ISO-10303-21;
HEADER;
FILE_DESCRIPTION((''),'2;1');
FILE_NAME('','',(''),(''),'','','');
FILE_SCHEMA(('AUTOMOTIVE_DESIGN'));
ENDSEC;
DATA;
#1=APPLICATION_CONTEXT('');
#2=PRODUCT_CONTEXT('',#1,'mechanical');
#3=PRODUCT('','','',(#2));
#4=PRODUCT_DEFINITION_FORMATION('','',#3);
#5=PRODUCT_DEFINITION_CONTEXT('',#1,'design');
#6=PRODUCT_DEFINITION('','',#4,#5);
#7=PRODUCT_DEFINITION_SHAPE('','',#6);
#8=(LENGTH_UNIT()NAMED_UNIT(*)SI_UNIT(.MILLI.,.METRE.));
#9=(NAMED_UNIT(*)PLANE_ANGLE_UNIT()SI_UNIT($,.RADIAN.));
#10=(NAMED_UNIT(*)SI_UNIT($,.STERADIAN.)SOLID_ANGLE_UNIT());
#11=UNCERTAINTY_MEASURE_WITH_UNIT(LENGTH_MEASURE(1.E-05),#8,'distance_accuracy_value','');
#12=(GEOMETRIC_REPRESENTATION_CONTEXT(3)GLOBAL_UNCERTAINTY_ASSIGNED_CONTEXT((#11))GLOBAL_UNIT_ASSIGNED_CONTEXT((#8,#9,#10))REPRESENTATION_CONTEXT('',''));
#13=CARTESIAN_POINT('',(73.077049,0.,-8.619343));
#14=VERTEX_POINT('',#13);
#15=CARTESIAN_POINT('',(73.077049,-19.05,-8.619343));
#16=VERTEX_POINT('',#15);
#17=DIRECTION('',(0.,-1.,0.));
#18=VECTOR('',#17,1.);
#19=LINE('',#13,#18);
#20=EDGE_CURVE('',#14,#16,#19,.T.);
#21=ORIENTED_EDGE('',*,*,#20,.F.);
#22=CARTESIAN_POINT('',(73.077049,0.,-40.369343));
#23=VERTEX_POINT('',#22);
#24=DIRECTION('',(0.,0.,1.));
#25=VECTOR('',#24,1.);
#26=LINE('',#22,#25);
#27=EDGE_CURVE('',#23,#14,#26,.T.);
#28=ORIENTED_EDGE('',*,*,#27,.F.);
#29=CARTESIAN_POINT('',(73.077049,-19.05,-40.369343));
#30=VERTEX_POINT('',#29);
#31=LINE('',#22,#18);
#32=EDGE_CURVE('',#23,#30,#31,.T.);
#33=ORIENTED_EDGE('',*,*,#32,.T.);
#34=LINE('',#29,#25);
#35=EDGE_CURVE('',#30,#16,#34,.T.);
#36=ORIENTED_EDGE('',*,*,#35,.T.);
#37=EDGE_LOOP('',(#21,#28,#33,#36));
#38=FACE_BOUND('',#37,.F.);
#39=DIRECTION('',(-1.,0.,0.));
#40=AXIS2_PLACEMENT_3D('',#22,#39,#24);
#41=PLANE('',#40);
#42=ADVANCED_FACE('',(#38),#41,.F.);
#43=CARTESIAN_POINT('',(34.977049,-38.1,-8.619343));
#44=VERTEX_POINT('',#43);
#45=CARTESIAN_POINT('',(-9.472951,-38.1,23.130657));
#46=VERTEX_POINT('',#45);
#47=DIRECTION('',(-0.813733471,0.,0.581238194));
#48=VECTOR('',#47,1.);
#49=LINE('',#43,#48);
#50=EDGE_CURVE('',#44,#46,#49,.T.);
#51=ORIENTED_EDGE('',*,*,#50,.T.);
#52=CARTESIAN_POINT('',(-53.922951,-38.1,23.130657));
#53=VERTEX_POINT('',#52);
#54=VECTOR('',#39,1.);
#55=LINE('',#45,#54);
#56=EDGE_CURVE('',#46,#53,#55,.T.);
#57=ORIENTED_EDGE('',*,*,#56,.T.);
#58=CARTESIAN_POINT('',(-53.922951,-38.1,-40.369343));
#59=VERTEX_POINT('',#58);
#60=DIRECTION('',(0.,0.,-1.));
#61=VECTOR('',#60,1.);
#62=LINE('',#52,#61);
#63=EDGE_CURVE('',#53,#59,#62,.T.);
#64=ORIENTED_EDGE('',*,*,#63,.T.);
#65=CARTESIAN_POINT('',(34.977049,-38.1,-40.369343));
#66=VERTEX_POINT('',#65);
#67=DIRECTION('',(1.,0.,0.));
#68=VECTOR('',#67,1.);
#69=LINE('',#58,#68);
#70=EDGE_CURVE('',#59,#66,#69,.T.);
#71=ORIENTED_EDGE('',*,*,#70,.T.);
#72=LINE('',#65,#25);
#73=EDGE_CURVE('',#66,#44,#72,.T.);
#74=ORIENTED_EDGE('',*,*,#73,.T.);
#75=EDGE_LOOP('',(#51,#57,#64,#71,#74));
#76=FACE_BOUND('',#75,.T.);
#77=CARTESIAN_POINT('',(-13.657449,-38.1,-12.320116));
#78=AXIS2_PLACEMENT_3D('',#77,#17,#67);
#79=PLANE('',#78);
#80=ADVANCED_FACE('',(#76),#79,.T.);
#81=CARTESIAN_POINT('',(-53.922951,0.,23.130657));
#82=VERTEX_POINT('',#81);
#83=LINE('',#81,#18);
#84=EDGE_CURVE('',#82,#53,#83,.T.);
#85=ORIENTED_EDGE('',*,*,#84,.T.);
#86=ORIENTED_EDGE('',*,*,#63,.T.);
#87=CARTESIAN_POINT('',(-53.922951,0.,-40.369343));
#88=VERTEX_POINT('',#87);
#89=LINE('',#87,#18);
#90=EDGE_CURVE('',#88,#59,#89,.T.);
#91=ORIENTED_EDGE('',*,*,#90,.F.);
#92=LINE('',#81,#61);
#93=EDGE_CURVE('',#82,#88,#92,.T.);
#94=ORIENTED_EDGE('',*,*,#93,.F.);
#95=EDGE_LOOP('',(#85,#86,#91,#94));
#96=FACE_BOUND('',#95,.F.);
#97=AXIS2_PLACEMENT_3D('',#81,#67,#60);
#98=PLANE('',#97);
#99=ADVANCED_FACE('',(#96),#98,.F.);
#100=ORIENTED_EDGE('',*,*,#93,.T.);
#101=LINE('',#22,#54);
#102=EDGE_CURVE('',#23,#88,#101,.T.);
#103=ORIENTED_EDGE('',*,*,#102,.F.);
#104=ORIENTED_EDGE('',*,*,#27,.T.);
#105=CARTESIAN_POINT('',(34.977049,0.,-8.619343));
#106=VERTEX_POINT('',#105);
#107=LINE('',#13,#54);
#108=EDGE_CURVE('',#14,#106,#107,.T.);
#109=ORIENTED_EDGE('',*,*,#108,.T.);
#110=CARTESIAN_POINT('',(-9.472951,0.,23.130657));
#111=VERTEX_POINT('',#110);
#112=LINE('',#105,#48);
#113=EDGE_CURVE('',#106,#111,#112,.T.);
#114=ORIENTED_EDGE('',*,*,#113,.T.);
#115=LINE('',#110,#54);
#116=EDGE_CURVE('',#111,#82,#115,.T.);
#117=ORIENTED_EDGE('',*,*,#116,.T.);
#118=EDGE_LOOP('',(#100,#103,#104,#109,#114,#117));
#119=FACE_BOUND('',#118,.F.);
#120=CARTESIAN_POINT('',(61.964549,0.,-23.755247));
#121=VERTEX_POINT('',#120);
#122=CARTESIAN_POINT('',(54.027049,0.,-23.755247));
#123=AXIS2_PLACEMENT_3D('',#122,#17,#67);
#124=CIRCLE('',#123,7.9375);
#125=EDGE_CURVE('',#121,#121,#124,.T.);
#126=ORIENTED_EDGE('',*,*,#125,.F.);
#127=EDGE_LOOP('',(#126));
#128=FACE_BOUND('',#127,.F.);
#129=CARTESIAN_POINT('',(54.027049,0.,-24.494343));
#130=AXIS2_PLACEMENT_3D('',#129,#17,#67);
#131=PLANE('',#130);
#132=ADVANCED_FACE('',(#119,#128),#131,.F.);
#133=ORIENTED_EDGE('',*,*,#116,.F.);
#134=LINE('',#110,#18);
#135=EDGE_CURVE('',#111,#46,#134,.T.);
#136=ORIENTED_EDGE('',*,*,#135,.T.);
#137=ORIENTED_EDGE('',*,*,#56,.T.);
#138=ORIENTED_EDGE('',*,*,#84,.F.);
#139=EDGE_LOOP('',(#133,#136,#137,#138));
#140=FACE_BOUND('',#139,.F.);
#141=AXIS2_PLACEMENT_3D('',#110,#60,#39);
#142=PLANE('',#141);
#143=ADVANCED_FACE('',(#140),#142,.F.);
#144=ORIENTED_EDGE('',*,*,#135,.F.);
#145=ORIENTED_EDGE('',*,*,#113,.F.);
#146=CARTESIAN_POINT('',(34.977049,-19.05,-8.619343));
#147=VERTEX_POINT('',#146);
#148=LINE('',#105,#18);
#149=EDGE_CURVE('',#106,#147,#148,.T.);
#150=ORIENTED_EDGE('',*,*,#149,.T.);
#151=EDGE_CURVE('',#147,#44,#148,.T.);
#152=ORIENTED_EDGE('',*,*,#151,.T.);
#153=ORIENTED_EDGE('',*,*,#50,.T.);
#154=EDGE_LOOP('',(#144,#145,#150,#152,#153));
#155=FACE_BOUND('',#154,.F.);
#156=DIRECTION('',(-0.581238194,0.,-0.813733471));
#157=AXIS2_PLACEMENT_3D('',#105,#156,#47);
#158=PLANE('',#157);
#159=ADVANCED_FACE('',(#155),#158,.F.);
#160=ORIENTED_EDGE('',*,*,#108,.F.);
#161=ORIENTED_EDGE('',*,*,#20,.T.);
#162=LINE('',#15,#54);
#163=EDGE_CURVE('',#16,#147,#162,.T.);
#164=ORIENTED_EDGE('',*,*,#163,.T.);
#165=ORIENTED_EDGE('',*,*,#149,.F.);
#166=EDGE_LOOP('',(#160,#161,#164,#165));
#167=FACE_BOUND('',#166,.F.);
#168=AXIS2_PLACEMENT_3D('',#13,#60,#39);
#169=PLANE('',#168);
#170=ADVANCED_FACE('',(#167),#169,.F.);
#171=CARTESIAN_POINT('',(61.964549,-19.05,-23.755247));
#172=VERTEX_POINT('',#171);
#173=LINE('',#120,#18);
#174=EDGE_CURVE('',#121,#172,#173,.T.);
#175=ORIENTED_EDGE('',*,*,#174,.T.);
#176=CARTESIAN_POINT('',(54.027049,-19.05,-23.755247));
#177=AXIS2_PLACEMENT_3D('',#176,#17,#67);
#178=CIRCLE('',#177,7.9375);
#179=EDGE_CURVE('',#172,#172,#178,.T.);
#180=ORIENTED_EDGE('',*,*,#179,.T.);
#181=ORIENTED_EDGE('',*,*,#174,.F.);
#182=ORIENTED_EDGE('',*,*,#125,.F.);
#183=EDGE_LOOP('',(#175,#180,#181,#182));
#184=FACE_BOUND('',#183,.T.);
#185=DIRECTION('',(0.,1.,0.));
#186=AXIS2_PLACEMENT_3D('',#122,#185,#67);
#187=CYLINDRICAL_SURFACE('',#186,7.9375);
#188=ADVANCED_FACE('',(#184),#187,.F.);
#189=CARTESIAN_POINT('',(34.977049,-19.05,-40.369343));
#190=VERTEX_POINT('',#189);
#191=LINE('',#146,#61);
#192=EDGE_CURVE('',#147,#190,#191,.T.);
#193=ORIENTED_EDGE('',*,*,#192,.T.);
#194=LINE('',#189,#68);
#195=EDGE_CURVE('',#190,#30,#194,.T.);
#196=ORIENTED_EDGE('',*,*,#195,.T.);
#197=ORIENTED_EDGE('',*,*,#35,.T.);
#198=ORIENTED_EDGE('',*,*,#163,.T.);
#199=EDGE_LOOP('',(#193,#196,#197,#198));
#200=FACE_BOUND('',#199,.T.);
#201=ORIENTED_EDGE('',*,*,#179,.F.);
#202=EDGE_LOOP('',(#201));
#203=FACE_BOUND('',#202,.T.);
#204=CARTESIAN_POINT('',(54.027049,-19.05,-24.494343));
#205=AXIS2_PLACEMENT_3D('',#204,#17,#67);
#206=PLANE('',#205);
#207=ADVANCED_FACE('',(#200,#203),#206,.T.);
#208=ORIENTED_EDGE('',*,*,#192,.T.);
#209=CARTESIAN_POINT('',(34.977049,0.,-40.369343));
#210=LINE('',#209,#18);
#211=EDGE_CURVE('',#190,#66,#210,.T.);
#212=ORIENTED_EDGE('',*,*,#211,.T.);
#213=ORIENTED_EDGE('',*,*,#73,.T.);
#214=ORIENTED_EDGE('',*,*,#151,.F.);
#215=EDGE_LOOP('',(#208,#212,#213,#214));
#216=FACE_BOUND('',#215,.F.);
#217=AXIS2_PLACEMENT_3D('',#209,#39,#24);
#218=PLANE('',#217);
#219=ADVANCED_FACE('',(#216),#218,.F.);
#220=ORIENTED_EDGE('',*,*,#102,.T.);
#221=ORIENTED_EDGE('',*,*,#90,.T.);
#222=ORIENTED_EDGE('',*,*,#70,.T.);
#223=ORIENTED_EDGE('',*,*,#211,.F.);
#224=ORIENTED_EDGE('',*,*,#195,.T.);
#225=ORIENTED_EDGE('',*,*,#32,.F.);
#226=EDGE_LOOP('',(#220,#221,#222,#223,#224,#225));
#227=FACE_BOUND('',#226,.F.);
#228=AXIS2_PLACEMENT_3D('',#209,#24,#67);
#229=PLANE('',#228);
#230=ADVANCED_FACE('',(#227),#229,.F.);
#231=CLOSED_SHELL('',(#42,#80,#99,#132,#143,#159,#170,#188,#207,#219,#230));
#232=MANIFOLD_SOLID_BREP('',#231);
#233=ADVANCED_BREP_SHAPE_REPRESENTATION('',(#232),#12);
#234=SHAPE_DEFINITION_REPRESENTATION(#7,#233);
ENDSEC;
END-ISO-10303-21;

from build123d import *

# Parameters (mm, degrees)
F1_DEPTH = 38.1
F0_R     = 7.9375
F2_DEPTH = 19.05


with BuildPart() as f1:
    # F0 (on Front) → F1 (new body)
    with BuildSketch(Plane.XZ):
        Polygon((-53.922951, 23.130657), (-53.922951, -40.369343), (34.977049, -40.369343), (34.977049, -8.619343), (-9.472951, 23.130657), align=None)
    extrude(amount=F1_DEPTH)

    # F0 (on Front) → F2 (join)
    with BuildSketch(Plane.XZ):
        Polygon((34.977049, -8.619343), (34.977049, -40.369343), (73.077049, -40.369343), (73.077049, -8.619343), (54.027049, -8.619343), align=None)
        with Locations((54.027049, -23.755247)):
            Circle(F0_R, mode=Mode.SUBTRACT)
    extrude(amount=F2_DEPTH)


solid = f1.part
